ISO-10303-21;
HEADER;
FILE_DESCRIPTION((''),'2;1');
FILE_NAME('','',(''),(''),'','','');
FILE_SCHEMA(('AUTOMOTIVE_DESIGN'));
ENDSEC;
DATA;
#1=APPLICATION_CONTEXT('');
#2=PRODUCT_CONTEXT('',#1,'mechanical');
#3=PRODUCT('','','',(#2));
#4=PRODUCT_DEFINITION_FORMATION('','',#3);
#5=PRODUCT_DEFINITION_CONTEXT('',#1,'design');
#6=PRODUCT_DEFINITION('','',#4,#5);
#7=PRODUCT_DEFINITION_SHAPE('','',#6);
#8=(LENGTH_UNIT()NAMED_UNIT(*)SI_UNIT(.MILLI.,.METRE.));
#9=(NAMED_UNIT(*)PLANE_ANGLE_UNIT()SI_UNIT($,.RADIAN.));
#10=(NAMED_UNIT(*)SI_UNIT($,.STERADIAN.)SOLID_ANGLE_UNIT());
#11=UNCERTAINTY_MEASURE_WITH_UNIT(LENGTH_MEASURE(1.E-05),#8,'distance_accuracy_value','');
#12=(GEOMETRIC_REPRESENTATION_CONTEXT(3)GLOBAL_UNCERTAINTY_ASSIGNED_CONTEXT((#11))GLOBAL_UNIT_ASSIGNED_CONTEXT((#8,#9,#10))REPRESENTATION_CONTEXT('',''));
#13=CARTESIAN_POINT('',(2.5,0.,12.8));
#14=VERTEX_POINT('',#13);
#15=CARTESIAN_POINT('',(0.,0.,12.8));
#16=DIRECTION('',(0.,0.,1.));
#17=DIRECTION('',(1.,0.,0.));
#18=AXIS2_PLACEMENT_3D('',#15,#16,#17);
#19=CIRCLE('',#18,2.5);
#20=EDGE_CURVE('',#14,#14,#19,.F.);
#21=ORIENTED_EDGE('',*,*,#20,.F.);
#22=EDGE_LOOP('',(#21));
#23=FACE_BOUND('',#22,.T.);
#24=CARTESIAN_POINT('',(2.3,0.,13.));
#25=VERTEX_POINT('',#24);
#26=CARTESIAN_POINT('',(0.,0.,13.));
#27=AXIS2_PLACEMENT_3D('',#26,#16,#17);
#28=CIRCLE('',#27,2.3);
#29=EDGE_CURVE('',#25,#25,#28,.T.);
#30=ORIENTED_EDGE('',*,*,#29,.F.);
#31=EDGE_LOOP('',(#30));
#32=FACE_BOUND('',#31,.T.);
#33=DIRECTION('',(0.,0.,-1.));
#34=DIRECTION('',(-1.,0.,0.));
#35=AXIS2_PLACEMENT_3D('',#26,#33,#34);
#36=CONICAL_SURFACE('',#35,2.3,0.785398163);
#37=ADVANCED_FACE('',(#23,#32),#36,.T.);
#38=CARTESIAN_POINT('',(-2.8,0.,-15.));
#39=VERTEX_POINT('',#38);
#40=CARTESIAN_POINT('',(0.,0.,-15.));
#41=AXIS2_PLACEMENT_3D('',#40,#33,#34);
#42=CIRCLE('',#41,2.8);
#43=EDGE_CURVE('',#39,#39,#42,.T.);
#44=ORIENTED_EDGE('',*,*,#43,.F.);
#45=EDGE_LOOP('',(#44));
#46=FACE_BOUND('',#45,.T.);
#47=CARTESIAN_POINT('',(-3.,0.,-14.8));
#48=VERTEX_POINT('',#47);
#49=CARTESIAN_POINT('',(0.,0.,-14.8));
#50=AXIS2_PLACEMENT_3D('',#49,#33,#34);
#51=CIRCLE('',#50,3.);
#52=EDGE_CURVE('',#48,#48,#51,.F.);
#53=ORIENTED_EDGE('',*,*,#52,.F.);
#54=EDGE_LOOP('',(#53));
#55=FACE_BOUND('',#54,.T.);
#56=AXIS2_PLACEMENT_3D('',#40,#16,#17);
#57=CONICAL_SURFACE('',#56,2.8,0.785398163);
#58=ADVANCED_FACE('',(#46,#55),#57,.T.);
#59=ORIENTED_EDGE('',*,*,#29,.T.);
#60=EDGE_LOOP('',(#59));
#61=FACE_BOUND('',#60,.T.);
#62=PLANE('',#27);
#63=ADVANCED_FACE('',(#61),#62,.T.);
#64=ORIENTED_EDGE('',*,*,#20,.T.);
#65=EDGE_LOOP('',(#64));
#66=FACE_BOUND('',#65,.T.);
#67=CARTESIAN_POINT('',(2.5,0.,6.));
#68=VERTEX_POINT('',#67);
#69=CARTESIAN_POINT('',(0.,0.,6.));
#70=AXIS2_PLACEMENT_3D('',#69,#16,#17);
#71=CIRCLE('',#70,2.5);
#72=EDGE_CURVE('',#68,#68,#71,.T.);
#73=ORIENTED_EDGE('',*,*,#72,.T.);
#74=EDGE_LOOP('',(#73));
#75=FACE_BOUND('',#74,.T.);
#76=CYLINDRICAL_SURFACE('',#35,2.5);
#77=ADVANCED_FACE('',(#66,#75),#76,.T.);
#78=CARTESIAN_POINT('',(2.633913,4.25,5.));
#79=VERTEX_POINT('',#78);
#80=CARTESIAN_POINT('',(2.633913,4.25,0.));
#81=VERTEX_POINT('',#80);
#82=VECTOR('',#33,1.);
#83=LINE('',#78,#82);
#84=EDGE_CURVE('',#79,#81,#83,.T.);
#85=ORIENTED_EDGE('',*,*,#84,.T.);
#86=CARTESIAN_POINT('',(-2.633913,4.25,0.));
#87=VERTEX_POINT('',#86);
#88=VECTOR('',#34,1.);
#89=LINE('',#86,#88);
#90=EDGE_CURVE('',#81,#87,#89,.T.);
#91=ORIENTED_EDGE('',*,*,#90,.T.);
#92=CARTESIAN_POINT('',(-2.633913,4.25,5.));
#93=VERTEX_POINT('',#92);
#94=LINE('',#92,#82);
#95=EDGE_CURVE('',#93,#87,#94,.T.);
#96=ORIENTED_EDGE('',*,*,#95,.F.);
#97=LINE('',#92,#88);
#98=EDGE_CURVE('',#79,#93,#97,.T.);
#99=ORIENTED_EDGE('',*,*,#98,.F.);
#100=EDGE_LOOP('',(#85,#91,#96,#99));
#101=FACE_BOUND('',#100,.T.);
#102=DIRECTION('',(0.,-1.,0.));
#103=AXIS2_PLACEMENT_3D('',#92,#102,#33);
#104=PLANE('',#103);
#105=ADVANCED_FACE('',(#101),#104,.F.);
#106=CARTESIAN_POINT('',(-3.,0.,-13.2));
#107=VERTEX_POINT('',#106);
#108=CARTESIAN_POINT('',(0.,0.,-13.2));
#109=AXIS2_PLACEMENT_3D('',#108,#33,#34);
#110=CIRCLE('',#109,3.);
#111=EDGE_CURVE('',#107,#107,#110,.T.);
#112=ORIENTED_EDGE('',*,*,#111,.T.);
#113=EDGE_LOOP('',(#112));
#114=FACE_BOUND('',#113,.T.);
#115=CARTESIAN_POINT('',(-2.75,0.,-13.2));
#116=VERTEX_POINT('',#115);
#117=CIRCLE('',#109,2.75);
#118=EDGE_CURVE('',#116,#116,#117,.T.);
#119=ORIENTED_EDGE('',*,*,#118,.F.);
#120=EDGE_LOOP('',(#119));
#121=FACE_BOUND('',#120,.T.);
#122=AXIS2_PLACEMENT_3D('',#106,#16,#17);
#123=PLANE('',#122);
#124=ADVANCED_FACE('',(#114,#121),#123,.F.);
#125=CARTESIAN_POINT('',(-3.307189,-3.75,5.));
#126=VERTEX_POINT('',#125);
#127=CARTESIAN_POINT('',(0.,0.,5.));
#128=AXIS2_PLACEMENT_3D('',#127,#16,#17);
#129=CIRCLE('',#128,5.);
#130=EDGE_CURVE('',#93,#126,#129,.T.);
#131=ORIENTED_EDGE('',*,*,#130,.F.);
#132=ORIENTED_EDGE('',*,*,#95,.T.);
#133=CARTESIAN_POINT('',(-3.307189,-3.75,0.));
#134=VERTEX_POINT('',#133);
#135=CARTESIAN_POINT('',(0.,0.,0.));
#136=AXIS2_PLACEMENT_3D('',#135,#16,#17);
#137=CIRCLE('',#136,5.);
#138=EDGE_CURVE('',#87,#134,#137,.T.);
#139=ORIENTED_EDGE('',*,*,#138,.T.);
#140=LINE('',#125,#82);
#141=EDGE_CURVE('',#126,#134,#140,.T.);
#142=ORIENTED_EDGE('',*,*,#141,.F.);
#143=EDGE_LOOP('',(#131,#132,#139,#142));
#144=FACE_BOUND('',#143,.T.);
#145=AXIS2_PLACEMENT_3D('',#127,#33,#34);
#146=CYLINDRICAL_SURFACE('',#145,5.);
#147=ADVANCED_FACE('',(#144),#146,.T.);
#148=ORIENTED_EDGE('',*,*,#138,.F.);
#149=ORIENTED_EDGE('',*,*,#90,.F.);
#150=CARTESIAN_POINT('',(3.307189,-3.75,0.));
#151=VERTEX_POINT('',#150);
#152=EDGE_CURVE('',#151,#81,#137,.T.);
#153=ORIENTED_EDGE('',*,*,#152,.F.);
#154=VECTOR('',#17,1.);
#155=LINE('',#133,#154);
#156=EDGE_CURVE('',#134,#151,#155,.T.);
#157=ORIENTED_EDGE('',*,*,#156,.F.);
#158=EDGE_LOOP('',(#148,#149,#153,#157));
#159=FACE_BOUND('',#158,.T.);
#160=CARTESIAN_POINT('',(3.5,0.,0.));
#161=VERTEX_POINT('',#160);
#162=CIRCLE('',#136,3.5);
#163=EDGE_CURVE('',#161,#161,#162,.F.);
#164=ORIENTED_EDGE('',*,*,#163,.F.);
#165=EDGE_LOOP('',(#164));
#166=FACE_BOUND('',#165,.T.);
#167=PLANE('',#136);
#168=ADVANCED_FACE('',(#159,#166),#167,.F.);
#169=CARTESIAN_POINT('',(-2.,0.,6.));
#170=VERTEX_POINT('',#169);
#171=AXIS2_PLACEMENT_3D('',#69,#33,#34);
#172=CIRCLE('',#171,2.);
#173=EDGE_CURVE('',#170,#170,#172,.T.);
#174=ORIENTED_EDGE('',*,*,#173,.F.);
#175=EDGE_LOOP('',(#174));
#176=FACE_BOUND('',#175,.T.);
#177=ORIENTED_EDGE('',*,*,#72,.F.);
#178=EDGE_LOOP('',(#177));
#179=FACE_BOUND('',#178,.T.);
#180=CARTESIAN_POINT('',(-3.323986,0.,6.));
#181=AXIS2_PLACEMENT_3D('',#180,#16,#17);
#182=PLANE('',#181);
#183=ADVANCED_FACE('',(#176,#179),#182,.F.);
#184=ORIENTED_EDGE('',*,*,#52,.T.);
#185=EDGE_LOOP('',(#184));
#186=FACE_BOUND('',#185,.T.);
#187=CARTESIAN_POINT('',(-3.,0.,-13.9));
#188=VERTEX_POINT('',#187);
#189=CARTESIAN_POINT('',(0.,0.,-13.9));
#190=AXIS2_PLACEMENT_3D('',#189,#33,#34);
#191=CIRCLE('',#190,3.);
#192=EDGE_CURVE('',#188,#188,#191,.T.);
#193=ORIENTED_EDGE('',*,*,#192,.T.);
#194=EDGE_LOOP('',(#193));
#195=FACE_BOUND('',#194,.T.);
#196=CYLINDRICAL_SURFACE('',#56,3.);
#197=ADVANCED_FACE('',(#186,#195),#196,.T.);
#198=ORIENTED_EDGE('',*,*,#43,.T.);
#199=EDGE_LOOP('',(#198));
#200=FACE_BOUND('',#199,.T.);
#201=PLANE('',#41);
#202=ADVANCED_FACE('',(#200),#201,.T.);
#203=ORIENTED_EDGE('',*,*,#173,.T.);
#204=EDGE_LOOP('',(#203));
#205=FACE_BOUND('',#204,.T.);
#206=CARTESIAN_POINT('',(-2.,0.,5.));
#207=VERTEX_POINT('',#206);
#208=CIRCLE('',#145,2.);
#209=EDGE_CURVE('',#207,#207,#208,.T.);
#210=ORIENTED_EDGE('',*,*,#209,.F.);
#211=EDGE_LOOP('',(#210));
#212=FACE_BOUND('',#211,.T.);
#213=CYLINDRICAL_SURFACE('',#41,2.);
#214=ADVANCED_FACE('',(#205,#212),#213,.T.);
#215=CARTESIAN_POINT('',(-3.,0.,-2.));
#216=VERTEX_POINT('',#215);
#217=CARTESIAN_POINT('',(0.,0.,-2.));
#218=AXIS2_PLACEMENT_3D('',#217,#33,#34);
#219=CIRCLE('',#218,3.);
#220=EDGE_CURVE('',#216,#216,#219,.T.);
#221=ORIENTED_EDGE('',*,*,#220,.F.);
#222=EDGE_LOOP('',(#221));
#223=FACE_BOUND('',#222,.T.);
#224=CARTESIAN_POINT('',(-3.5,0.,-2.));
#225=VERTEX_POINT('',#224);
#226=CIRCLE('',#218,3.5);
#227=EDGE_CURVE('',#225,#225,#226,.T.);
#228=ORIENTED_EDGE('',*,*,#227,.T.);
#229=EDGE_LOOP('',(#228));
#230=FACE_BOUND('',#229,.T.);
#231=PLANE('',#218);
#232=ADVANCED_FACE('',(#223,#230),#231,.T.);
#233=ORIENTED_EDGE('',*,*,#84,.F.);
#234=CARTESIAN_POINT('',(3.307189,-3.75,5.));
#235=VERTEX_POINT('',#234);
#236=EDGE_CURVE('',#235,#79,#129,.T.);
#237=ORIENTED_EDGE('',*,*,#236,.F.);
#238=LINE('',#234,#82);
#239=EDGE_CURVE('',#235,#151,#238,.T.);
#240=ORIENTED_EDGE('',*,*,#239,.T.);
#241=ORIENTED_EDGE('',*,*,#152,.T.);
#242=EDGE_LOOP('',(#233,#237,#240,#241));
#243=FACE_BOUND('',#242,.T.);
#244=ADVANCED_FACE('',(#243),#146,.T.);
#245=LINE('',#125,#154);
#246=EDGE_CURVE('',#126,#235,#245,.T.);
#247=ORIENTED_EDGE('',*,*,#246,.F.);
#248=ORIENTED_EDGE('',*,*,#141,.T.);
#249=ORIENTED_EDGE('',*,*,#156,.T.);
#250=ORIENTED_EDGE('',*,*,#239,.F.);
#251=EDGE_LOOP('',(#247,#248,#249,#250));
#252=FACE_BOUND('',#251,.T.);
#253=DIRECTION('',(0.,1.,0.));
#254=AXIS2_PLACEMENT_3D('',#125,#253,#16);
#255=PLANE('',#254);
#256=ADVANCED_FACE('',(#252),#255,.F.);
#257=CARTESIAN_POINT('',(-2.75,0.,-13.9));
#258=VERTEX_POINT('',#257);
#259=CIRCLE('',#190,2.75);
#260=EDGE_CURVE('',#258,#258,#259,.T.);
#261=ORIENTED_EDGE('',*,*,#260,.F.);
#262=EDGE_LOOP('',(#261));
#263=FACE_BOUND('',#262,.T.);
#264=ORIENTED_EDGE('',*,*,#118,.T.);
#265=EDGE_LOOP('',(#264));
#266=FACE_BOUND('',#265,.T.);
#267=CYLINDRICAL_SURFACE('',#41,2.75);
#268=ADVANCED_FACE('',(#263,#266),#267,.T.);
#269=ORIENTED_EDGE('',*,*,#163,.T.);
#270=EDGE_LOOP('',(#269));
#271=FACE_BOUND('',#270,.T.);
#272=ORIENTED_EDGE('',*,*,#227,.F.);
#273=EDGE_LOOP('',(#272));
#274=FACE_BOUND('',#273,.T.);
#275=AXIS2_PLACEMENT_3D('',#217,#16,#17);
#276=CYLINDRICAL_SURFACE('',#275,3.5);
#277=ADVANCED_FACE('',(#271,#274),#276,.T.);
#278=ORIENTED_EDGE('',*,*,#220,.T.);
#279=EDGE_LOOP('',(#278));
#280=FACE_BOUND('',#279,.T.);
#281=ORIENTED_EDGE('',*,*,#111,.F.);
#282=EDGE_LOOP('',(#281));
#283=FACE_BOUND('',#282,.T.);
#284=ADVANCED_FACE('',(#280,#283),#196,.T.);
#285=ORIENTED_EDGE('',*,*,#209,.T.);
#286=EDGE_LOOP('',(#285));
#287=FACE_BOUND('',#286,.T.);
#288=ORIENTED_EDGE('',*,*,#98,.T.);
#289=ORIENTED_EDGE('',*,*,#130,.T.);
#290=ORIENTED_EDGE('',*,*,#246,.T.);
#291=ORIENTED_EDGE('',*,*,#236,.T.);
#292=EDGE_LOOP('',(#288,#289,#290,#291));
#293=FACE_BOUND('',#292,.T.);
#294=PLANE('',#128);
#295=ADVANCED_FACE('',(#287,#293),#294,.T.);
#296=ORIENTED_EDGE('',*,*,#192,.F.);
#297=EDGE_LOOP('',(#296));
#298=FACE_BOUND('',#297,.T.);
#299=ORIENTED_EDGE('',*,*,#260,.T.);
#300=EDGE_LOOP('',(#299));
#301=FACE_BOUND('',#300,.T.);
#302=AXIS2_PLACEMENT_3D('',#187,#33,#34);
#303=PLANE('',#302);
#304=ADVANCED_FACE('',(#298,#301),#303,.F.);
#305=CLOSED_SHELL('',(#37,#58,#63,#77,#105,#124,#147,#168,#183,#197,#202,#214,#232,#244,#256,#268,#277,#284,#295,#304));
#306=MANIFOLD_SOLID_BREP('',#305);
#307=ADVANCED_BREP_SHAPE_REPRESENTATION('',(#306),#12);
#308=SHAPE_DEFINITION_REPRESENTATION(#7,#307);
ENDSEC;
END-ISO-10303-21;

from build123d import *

# Parameters (mm, degrees)
EXTRUDE_1_DEPTH = 5
SKETCH_2_R      = 2.5
EXTRUDE_2_DEPTH = 8
SKETCH_3_R      = 3
EXTRUDE_3_DEPTH = 15
SKETCH_5_R      = 3.5
EXTRUDE_4_DEPTH = 2
SKETCH_4_W      = 0.25
SKETCH_4_H      = 0.7
SKETCH_4_W_2    = 1.323985747
SKETCH_4_H_2    = 1
CHAMFER_1_SIZE  = 0.2


with BuildPart() as part:
    # 草图1 → 拉伸1 (new body)
    with BuildSketch(Plane.XY):
        with BuildLine():
            Line((-2.633913438, 4.25), (2.633913438, 4.25))
            ThreePointArc((2.633913438, 4.25), (4.982386472, 0.419314968), (3.307189139, -3.75))
            Line((3.307189139, -3.75), (-3.307189139, -3.75))
            ThreePointArc((-3.307189139, -3.75), (-4.982386472, 0.419314968), (-2.633913438, 4.25))
        make_face()
    extrude(amount=EXTRUDE_1_DEPTH)

    # 草图2 → 拉伸2 (add)
    with BuildSketch(Plane.XY.offset(5)):
        Circle(SKETCH_2_R)
    extrude(amount=EXTRUDE_2_DEPTH)

    # 草图3 → 拉伸3 (add)
    with BuildSketch(Plane(origin=(0, 0, 0), x_dir=(-1, 0, 0), z_dir=(0, 0, -1))):
        with Locations(Location((0, 0, 0), (0, 0, 180))):
            Circle(SKETCH_3_R)
    extrude(amount=EXTRUDE_3_DEPTH)

    # 草图5 → 拉伸4 (add)
    with BuildSketch(Plane(origin=(0, 0, 0), x_dir=(-1, 0, 0), z_dir=(0, 0, -1))):
        with Locations(Location((0, 0, 0), (0, 0, 180))):
            Circle(SKETCH_5_R)
    extrude(amount=EXTRUDE_4_DEPTH)

    # 草图4 → 切除-旋转1 (revolve, cut)
    with BuildSketch(Plane(origin=(0, 0, 0), x_dir=(1, 0, 0), z_dir=(0, 1, 0))):
        with Locations((-2.875, 13.55)):
            Rectangle(SKETCH_4_W, SKETCH_4_H)
        with Locations((-2.661992874, -5.5)):
            Rectangle(SKETCH_4_W_2, SKETCH_4_H_2)
    revolve(axis=Axis((0, 0, -15), (0, 0, 1)), mode=Mode.SUBTRACT)

    # 倒角1
    chamfer_1_edges = [part.edges().sort_by_distance(p)[0] for p in [
        (-2.5, 0, 13),
        (-3, 0, -15),
    ]]
    chamfer(chamfer_1_edges, length=CHAMFER_1_SIZE)


solid = part.part
